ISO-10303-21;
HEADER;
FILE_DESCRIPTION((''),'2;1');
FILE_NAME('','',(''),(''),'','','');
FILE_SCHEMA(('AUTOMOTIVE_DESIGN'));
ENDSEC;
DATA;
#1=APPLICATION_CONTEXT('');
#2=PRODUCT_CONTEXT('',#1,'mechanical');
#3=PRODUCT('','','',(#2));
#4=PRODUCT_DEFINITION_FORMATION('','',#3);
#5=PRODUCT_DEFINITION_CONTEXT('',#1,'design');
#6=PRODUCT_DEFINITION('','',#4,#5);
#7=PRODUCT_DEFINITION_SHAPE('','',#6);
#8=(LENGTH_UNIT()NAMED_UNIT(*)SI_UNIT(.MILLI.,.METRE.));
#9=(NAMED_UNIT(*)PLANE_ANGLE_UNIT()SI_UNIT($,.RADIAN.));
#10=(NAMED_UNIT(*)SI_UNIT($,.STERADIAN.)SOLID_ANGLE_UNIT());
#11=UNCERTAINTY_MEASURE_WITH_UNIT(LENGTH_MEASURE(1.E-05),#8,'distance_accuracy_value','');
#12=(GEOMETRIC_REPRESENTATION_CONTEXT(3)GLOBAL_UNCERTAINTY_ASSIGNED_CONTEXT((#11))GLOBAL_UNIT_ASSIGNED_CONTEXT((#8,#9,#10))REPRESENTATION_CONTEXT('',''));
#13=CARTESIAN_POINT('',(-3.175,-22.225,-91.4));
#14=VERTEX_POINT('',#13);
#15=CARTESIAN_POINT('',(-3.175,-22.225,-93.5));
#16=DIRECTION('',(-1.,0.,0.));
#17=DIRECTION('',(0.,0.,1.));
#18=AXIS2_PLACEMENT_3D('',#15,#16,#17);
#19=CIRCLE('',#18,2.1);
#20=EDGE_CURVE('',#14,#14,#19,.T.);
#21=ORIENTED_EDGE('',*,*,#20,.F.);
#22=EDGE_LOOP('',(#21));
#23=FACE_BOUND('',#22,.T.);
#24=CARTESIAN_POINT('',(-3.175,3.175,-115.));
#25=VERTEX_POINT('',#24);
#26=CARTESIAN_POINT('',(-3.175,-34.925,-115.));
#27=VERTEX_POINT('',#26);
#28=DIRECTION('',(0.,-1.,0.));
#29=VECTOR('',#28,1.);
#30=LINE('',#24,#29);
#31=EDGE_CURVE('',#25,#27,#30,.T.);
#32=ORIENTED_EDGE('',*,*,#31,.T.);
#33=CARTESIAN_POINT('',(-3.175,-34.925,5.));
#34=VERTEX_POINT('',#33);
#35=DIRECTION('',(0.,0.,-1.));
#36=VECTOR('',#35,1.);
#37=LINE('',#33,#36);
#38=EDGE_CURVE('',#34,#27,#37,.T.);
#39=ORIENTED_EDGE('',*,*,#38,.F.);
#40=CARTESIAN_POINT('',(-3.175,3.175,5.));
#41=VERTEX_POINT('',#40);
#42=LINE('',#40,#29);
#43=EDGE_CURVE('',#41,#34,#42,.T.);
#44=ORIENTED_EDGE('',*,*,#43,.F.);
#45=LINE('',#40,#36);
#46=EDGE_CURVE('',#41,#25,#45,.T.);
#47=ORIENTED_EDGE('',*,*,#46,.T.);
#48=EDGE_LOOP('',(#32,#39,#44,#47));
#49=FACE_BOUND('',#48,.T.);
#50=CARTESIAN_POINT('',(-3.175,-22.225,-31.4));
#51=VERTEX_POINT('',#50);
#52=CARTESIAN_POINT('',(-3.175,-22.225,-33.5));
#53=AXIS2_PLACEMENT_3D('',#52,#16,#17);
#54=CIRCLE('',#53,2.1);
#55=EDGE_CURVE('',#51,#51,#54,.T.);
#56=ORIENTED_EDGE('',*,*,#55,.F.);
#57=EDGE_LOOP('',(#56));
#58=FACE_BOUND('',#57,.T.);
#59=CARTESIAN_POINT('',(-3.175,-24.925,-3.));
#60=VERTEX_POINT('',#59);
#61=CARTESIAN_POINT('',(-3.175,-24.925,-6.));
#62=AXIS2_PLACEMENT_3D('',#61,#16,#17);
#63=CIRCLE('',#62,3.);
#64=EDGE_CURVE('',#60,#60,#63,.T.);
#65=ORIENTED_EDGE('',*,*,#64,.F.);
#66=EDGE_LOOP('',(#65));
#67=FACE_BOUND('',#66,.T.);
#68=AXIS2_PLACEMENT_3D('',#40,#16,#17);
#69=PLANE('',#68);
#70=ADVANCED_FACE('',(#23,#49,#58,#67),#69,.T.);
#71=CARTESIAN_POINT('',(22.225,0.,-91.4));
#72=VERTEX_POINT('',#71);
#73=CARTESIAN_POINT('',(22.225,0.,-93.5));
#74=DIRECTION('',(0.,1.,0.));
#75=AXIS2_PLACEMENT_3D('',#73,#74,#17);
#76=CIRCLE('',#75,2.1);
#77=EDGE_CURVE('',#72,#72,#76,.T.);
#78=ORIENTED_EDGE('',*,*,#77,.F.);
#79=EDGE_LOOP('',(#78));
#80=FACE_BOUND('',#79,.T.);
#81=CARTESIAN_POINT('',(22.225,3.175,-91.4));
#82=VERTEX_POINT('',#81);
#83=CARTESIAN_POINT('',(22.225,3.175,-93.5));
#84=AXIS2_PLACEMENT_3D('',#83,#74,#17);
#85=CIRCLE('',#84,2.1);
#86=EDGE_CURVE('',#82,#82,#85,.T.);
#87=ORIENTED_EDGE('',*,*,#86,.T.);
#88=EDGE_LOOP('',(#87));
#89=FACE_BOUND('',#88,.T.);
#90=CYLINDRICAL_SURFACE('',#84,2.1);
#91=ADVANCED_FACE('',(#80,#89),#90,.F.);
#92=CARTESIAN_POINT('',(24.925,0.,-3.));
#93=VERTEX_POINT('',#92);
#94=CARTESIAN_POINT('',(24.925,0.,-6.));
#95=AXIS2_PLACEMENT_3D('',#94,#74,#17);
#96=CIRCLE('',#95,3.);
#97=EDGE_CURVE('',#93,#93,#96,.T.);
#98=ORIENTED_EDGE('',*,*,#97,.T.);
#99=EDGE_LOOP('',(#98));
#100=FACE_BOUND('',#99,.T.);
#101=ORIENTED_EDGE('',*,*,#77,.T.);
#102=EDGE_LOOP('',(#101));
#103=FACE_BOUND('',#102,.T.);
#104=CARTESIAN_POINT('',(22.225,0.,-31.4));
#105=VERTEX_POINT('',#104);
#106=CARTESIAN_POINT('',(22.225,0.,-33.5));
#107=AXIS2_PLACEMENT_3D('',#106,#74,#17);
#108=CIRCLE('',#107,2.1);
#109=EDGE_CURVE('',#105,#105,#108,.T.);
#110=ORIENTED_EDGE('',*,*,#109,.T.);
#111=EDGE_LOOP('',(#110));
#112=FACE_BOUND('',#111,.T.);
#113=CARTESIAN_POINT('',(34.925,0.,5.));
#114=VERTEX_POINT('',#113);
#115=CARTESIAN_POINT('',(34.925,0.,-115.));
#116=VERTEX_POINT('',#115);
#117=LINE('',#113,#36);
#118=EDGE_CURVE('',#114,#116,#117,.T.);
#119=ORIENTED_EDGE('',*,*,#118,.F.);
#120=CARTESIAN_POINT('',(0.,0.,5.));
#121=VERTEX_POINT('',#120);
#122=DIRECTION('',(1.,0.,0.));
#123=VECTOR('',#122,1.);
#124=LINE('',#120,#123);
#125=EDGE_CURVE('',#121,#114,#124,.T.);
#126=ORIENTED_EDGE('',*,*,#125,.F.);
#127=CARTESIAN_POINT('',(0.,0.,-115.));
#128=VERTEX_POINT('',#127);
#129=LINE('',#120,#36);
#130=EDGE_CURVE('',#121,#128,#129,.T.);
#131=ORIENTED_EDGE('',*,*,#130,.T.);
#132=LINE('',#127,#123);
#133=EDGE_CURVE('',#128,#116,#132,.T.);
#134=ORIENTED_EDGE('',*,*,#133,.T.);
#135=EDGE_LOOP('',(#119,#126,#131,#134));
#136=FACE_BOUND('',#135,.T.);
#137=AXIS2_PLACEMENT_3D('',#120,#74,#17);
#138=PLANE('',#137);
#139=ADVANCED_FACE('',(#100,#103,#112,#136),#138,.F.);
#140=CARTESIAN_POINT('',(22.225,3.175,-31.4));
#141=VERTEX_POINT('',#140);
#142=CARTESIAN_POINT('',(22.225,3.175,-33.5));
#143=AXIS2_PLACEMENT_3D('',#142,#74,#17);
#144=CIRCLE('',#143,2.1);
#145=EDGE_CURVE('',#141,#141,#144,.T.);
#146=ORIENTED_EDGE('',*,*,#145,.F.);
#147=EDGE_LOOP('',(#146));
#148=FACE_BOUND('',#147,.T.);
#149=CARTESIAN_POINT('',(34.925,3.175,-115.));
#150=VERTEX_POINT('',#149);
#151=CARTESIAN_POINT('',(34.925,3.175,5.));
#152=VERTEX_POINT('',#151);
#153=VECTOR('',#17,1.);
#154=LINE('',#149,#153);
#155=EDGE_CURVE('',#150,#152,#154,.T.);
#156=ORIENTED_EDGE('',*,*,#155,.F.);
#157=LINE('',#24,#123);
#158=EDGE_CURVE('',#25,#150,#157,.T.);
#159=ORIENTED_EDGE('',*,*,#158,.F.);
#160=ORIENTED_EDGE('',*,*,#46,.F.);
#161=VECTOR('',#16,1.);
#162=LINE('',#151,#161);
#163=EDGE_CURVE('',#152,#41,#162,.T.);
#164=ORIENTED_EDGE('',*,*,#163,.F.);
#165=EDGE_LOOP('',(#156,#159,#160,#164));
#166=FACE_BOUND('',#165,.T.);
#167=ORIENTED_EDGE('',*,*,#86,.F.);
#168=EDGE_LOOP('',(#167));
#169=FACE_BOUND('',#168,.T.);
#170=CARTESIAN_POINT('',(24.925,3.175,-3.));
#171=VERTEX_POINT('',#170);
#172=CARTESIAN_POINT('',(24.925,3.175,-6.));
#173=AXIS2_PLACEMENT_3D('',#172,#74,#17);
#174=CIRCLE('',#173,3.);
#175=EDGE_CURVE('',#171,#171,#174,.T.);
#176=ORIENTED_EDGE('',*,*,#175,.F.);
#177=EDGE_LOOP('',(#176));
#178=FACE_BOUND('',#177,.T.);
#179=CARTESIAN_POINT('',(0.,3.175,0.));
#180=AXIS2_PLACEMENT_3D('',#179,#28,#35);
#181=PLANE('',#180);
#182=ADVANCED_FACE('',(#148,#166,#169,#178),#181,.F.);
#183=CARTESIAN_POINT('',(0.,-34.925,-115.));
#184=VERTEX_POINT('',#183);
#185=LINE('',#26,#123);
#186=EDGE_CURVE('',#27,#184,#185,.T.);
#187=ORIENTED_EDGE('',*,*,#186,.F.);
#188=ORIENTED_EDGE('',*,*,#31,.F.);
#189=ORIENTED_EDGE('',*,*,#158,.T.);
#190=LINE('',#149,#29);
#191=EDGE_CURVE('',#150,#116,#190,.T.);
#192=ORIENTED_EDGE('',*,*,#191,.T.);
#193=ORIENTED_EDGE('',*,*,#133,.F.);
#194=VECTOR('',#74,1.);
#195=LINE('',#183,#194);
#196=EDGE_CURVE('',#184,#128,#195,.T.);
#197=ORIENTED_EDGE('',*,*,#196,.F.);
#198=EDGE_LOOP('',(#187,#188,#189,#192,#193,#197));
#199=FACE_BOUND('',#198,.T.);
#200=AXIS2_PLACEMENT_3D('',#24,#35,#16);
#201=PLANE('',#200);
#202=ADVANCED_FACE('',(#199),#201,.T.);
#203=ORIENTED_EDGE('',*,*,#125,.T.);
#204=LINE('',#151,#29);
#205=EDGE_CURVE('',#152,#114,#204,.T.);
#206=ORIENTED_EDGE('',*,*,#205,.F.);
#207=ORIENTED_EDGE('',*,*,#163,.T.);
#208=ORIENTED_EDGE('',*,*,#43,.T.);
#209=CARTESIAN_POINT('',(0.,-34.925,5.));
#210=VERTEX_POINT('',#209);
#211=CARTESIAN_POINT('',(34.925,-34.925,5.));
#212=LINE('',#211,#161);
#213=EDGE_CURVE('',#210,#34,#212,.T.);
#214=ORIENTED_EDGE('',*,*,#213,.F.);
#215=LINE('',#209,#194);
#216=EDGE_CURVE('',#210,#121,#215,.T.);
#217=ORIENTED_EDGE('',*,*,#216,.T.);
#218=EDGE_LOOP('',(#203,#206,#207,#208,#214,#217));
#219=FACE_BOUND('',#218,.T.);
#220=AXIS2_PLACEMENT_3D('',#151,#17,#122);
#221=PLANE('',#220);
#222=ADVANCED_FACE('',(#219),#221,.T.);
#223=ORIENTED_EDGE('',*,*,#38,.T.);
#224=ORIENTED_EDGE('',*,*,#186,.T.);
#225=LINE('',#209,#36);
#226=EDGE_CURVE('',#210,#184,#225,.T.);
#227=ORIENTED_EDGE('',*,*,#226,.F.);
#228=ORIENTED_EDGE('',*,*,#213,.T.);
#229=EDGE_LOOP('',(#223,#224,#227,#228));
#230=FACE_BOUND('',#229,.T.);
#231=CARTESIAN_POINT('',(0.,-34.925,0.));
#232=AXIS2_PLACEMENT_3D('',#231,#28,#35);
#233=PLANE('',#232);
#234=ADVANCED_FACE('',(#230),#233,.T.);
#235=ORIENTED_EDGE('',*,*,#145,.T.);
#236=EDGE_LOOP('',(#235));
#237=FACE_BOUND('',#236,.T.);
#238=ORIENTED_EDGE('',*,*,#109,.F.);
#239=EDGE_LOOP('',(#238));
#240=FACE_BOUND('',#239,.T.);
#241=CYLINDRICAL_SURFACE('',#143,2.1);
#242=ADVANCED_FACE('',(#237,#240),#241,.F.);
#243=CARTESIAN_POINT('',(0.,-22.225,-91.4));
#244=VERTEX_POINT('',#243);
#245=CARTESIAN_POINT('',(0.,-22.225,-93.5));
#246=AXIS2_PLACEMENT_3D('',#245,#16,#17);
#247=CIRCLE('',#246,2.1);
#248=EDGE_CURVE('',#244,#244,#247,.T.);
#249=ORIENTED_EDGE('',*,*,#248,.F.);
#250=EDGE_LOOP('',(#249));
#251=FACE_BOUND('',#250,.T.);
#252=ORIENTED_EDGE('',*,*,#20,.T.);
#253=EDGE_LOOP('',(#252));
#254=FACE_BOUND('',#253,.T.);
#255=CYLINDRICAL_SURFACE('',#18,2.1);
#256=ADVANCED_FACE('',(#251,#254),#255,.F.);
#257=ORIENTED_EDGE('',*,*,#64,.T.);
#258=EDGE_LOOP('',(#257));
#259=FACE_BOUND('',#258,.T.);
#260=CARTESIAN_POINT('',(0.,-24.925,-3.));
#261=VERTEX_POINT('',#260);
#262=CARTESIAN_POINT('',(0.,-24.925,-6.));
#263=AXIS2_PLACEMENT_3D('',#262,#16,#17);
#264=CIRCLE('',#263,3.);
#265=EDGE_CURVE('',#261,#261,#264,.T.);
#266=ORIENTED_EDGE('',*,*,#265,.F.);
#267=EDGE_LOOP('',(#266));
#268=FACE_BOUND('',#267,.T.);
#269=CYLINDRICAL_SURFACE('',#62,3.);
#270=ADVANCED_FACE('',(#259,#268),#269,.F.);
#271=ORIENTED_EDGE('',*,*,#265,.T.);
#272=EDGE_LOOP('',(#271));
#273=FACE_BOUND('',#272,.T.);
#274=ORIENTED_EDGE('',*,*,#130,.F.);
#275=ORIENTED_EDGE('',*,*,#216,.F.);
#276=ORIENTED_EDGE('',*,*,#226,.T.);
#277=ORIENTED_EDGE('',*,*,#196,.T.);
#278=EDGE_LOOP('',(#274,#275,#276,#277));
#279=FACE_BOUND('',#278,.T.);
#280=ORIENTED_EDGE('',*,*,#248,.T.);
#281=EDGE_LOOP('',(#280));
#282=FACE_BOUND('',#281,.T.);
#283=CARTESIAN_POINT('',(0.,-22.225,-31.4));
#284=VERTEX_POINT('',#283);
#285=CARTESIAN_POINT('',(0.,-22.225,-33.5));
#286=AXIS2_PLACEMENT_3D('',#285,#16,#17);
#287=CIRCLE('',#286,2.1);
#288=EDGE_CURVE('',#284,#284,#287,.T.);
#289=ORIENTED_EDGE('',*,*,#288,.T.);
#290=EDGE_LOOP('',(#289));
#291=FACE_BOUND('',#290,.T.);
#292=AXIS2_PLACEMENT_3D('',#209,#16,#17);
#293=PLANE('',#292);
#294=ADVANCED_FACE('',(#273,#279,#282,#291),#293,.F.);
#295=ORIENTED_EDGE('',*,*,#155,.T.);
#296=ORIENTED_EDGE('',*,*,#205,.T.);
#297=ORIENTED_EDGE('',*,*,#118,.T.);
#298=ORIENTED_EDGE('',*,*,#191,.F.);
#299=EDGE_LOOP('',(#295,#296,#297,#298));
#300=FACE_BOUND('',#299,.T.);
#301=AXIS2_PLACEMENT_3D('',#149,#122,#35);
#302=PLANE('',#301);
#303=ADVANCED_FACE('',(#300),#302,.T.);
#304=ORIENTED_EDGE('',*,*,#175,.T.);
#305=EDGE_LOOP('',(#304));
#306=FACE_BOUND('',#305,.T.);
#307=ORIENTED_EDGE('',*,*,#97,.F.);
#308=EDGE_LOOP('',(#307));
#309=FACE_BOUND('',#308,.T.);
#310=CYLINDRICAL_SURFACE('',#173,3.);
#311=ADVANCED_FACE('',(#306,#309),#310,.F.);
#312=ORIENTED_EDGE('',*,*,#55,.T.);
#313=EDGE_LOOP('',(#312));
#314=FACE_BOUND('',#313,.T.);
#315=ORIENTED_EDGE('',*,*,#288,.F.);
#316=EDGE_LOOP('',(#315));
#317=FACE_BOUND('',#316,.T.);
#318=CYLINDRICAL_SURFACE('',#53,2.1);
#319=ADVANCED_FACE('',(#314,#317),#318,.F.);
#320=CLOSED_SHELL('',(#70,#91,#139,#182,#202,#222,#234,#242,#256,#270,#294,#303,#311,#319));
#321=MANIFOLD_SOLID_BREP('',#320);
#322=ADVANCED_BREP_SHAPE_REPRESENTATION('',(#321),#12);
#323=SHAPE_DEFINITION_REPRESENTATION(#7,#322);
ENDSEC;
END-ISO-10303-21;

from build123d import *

# Parameters (mm, degrees)
SKETCH1_W                      = 38.1
SKETCH1_H                      = 120
BOSS_EXTRUDE1_DEPTH            = 38.1
SKETCH2_W                      = 34.925
SKETCH2_H                      = 34.925
CUT_EXTRUDE1_DEPTH             = 130.767142413
F_4_2_4_2_DIAMETER_HOLE1_D     = 4.2
F_6_0_6_DIAMETER_HOLE1_D       = 6
F_4_2_4_2_DIAMETER_HOLE2_D     = 4.2
F_4_2_4_2_DIAMETER_HOLE2_DEPTH = 38.1
F_6_0_6_DIAMETER_HOLE2_D       = 6
F_6_0_6_DIAMETER_HOLE2_DEPTH   = 38.1
F_6_0_6_DIAMETER_HOLE3_D       = 6
F_6_0_6_DIAMETER_HOLE3_DEPTH   = 38.1
F_4_2_4_2_DIAMETER_HOLE3_D     = 4.2
SKETCH15_R                     = 2.1
SKETCH15_R_2                   = 3
BOSS_EXTRUDE2_DEPTH            = 3.175
BOSS_EXTRUDE3_START            = -3.175
SKETCH16_R                     = 3
SKETCH16_R_2                   = 2.1
BOSS_EXTRUDE3_DEPTH            = 3.175


with BuildPart() as part:
    # Sketch1 → Boss-Extrude1 (new body)
    with BuildSketch(Plane.XZ.offset(34.925)):
        with Locations((15.875, -55)):
            Rectangle(SKETCH1_W, SKETCH1_H)
    extrude(amount=-BOSS_EXTRUDE1_DEPTH)

    # Sketch2 → Cut-Extrude1 (cut, through all)
    with BuildSketch(Plane(origin=(0, 0, -115), x_dir=(-1, 0, 0), z_dir=(0, 0, -1))):
        with Locations((-17.4625, -17.4625)):
            Rectangle(SKETCH2_W, SKETCH2_H)
    extrude(amount=-CUT_EXTRUDE1_DEPTH, mode=Mode.SUBTRACT)

    # Ø4.2 (4.2) Diameter Hole1 (through all)
    with Locations(Plane(origin=(0, 0, 0), x_dir=(-1, 0, 0), z_dir=(0, -1, 0))):
        with Locations((-5, 35.97), (-5, 91.03)):
            Hole(F_4_2_4_2_DIAMETER_HOLE1_D / 2)

    # Ø6.0 (6) Diameter Hole1 (through all)
    with Locations(Plane(origin=(0, 0, 0), x_dir=(-1, 0, 0), z_dir=(0, -1, 0))):
        with Locations((-22.225, 106.5), (-22.225, 46.5)):
            Hole(F_6_0_6_DIAMETER_HOLE1_D / 2)

    # Ø4.2 (4.2) Diameter Hole2
    with Locations(Plane(origin=(0, 3.175, 0), x_dir=(1, 0, 0), z_dir=(0, 1, 0))):
        with Locations((22.225, 33.5), (22.225, 93.5), (29.296067812, 100.571067812), (29.296067812, 26.428932188)):
            Hole(F_4_2_4_2_DIAMETER_HOLE2_D / 2, depth=F_4_2_4_2_DIAMETER_HOLE2_DEPTH)

    # Ø6.0 (6) Diameter Hole2
    with Locations(Plane(origin=(0, 3.175, 0), x_dir=(1, 0, 0), z_dir=(0, 1, 0))):
        with Locations((24.925, 6)):
            Hole(F_6_0_6_DIAMETER_HOLE2_D / 2, depth=F_6_0_6_DIAMETER_HOLE2_DEPTH)

    # Ø6.0 (6) Diameter Hole3
    with Locations(Plane.ZY.offset(3.175)):
        with Locations((-6, -24.925), (-106.5, -22.225), (-46.5, -22.225)):
            Hole(F_6_0_6_DIAMETER_HOLE3_D / 2, depth=F_6_0_6_DIAMETER_HOLE3_DEPTH)

    # Ø4.2 (4.2) Diameter Hole3 (through all)
    with Locations(Plane.ZY.offset(3.175)):
        with Locations((-93.5, -22.225), (-33.5, -22.225), (-35.97, -5), (-91.03, -5), (-100.571067812, -29.296067812), (-26.428932188, -29.296067812)):
            Hole(F_4_2_4_2_DIAMETER_HOLE3_D / 2)

    # Sketch15 → Boss-Extrude2 (add)
    with BuildSketch(Plane(origin=(0, 3.175, 0), x_dir=(1, 0, 0), z_dir=(0, 1, 0))):
        with Locations((29.296067812, 26.428932188)):
            Circle(SKETCH15_R)
        with Locations((29.296067812, 100.571067812)):
            Circle(SKETCH15_R)
        with Locations((22.225, 106.5)):
            Circle(SKETCH15_R_2)
        with Locations((22.225, 46.5)):
            Circle(SKETCH15_R_2)
        with Locations((5, 35.97)):
            Circle(SKETCH15_R)
        with Locations((5, 91.03)):
            Circle(SKETCH15_R)
    extrude(amount=-BOSS_EXTRUDE2_DEPTH)

    # Sketch16 → Boss-Extrude3 (add)
    with BuildSketch(Plane.ZY.offset(3.175).offset(BOSS_EXTRUDE3_START)):
        with Locations((-106.5, -22.225)):
            Circle(SKETCH16_R)
        with Locations((-100.571067812, -29.296067812)):
            Circle(SKETCH16_R_2)
        with Locations((-46.5, -22.225)):
            Circle(SKETCH16_R)
        with Locations((-26.428932188, -29.296067812)):
            Circle(SKETCH16_R_2)
        with Locations((-35.97, -5)):
            Circle(SKETCH16_R_2)
        with Locations((-91.03, -5)):
            Circle(SKETCH16_R_2)
    extrude(amount=BOSS_EXTRUDE3_DEPTH)


solid = part.part
